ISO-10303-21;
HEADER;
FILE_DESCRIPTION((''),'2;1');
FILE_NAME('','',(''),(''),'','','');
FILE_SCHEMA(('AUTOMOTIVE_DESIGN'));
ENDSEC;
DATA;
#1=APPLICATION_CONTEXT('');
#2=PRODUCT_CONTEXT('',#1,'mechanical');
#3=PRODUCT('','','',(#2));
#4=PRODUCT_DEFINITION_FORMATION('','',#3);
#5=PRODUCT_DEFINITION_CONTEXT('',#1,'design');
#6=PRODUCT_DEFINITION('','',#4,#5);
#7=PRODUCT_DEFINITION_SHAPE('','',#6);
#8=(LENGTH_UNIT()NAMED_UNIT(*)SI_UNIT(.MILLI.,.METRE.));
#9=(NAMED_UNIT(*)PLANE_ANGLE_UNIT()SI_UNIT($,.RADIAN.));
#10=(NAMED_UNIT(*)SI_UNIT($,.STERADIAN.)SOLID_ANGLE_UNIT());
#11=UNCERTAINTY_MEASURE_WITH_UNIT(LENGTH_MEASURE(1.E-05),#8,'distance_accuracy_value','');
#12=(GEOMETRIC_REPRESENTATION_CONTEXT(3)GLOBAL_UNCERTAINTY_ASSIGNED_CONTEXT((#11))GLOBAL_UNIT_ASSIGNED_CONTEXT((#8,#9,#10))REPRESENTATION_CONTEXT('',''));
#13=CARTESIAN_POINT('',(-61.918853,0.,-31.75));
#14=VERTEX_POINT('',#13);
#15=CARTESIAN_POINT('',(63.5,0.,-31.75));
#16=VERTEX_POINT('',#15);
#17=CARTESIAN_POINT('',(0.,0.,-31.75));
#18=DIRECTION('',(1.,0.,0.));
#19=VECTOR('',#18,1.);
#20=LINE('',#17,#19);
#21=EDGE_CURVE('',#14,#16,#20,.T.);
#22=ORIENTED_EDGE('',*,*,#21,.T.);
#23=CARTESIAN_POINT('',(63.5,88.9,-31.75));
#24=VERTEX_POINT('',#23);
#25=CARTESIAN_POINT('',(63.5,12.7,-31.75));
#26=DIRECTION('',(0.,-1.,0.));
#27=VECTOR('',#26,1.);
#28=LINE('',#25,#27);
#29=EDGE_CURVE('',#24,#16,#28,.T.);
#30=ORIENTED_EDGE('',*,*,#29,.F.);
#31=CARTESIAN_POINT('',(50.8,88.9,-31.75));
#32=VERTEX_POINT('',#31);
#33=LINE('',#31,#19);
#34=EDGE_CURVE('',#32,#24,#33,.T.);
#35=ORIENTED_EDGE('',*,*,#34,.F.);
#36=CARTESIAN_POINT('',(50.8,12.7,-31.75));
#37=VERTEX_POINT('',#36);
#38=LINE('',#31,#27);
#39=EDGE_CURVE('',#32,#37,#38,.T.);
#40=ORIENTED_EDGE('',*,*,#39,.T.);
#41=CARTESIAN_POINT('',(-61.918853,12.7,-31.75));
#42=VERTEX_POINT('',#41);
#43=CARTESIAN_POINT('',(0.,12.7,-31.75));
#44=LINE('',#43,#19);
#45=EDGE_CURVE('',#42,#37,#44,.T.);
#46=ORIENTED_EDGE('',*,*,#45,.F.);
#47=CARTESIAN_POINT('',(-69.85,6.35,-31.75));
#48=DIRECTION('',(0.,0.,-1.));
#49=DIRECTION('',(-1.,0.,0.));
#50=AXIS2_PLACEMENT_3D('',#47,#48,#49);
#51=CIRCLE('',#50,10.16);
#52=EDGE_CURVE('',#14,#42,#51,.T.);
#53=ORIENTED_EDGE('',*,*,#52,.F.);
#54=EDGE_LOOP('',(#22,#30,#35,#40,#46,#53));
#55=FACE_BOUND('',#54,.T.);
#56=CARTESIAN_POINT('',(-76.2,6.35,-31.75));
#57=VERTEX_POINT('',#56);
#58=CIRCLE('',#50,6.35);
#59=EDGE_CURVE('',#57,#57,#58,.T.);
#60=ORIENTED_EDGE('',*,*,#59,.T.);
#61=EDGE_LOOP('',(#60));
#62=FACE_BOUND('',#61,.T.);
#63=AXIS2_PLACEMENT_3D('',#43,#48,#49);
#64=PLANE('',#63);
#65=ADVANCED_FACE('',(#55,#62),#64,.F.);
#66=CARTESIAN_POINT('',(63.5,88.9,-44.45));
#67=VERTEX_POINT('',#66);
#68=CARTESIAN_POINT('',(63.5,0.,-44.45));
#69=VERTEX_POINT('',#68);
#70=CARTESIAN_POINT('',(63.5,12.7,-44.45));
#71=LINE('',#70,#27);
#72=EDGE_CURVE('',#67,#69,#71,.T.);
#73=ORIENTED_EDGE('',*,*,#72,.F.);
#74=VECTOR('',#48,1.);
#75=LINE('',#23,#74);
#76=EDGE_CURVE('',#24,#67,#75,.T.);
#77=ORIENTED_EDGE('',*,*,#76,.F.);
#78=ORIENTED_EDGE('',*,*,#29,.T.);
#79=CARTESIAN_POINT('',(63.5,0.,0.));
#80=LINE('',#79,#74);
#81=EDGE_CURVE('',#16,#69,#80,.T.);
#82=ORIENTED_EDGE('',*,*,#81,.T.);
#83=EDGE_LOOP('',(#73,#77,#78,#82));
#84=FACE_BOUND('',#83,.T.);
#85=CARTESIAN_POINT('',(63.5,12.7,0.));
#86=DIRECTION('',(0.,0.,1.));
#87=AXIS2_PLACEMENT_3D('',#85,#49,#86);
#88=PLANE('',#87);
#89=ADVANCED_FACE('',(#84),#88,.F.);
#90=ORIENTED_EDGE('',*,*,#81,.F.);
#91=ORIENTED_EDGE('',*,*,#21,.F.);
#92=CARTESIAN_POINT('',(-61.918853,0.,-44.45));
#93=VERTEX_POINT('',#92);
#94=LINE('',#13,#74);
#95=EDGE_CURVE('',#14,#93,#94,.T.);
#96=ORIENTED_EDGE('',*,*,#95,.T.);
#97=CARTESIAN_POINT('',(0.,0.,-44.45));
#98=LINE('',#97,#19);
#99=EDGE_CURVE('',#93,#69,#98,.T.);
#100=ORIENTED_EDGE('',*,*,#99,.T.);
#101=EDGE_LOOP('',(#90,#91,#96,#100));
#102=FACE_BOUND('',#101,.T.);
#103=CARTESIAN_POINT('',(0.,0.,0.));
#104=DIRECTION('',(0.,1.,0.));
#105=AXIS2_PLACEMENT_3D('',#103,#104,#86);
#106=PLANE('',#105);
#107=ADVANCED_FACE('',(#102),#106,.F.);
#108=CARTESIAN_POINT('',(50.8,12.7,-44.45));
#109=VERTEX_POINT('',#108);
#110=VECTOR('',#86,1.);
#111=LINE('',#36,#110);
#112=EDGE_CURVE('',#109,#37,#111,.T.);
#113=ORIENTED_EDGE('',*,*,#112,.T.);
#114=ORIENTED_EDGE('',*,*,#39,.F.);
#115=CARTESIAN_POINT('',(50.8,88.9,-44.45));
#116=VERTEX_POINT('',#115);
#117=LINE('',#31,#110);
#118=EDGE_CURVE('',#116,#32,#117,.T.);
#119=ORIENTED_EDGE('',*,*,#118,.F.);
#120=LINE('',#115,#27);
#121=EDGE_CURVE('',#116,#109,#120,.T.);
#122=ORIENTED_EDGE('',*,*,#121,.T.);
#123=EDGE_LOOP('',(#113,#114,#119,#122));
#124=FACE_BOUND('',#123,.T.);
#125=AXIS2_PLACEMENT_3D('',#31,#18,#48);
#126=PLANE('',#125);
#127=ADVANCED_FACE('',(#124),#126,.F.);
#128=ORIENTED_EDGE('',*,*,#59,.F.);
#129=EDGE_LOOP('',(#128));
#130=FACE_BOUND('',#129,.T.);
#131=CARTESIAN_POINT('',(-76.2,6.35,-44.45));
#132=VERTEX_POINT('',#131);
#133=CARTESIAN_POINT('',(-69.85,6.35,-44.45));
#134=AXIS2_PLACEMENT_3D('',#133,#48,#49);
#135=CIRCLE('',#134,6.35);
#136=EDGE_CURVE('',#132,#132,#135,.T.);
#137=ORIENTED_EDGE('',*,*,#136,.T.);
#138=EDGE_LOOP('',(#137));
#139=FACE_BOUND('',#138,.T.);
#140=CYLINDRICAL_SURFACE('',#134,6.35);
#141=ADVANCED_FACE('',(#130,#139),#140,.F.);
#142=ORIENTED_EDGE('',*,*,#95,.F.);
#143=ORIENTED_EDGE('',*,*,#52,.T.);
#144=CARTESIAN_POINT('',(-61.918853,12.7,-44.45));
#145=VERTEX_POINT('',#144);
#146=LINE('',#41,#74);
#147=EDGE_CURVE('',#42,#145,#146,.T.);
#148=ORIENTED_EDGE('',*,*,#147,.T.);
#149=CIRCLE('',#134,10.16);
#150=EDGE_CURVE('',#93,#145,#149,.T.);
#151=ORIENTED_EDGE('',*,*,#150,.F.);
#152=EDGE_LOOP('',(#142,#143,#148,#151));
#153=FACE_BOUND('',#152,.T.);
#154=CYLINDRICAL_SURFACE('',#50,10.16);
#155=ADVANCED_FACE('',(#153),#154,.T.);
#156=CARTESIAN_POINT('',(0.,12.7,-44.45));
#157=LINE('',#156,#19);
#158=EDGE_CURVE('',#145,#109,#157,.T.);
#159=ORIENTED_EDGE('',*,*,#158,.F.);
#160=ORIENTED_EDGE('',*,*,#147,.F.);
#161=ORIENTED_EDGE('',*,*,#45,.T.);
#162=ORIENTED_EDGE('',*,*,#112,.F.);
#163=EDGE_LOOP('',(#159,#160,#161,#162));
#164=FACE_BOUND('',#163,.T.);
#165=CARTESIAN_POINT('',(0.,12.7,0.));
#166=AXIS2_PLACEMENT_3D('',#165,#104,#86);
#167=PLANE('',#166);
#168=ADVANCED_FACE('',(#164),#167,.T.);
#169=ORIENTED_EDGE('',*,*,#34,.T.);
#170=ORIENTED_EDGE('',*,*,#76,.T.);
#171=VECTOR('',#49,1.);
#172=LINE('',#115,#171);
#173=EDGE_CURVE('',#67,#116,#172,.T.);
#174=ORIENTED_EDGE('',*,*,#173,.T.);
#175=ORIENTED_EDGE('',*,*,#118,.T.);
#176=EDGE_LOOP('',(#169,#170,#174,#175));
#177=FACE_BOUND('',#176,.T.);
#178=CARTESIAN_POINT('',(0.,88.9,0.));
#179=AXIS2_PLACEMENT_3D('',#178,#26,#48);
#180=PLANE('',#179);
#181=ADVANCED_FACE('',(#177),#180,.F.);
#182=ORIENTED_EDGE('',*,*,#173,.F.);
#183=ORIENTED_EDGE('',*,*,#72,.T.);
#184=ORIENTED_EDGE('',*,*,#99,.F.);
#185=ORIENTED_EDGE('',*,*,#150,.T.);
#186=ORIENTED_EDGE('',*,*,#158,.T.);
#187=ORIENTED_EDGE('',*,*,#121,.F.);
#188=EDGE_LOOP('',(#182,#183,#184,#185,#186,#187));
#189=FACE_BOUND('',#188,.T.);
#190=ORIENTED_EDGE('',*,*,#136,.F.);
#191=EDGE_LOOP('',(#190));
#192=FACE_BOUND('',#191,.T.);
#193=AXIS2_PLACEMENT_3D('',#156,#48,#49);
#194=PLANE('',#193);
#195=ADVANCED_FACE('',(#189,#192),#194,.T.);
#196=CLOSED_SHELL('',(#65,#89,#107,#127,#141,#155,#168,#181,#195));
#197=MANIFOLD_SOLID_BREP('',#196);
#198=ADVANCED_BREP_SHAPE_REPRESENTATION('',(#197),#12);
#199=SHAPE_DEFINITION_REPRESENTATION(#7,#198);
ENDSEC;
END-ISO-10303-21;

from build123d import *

# Parameters (mm, degrees)
SKETCH1_W                  = 127
SKETCH1_H                  = 12.7
BOSS_EXTRUDE1_DEPTH        = 12.7
SKETCH9_W                  = 12.7
SKETCH9_H                  = 12.7
BOSS_EXTRUDE2_DEPTH        = 76.2
SKETCH10_R                 = 10.16
BOSS_EXTRUDE3_DEPTH        = 12.7
F_1_2_0_5_DIAMETER_HOLE1_D = 12.7


with BuildPart() as part:
    # Sketch1 → Boss-Extrude1 (new body)
    with BuildSketch(Plane(origin=(0, 0, 0), x_dir=(1, 0, 0), z_dir=(0, 1, 0))):
        with Locations((0, 38.1)):
            Rectangle(SKETCH1_W, SKETCH1_H)
    extrude(amount=BOSS_EXTRUDE1_DEPTH)

    # Sketch9 → Boss-Extrude2 (add)
    with BuildSketch(Plane(origin=(0, 12.7, 0), x_dir=(1, 0, 0), z_dir=(0, 1, 0))):
        with Locations((57.15, 38.1)):
            Rectangle(SKETCH9_W, SKETCH9_H)
    extrude(amount=BOSS_EXTRUDE2_DEPTH)

    # Sketch10 → Boss-Extrude3 (add)
    with BuildSketch(Plane(origin=(0, 0, -44.45), x_dir=(-1, 0, 0), z_dir=(0, 0, -1))):
        with Locations((69.85, 6.35)):
            Circle(SKETCH10_R)
    extrude(amount=-BOSS_EXTRUDE3_DEPTH)

    # 1/2 (0.5) Diameter Hole1 (through all)
    with Locations(Plane(origin=(-69.85, 6.35, -44.45), x_dir=(-1, 0, 0), z_dir=(0, 0, -1))):
        with Locations((0, 0)):
            Hole(F_1_2_0_5_DIAMETER_HOLE1_D / 2)


solid = part.part
